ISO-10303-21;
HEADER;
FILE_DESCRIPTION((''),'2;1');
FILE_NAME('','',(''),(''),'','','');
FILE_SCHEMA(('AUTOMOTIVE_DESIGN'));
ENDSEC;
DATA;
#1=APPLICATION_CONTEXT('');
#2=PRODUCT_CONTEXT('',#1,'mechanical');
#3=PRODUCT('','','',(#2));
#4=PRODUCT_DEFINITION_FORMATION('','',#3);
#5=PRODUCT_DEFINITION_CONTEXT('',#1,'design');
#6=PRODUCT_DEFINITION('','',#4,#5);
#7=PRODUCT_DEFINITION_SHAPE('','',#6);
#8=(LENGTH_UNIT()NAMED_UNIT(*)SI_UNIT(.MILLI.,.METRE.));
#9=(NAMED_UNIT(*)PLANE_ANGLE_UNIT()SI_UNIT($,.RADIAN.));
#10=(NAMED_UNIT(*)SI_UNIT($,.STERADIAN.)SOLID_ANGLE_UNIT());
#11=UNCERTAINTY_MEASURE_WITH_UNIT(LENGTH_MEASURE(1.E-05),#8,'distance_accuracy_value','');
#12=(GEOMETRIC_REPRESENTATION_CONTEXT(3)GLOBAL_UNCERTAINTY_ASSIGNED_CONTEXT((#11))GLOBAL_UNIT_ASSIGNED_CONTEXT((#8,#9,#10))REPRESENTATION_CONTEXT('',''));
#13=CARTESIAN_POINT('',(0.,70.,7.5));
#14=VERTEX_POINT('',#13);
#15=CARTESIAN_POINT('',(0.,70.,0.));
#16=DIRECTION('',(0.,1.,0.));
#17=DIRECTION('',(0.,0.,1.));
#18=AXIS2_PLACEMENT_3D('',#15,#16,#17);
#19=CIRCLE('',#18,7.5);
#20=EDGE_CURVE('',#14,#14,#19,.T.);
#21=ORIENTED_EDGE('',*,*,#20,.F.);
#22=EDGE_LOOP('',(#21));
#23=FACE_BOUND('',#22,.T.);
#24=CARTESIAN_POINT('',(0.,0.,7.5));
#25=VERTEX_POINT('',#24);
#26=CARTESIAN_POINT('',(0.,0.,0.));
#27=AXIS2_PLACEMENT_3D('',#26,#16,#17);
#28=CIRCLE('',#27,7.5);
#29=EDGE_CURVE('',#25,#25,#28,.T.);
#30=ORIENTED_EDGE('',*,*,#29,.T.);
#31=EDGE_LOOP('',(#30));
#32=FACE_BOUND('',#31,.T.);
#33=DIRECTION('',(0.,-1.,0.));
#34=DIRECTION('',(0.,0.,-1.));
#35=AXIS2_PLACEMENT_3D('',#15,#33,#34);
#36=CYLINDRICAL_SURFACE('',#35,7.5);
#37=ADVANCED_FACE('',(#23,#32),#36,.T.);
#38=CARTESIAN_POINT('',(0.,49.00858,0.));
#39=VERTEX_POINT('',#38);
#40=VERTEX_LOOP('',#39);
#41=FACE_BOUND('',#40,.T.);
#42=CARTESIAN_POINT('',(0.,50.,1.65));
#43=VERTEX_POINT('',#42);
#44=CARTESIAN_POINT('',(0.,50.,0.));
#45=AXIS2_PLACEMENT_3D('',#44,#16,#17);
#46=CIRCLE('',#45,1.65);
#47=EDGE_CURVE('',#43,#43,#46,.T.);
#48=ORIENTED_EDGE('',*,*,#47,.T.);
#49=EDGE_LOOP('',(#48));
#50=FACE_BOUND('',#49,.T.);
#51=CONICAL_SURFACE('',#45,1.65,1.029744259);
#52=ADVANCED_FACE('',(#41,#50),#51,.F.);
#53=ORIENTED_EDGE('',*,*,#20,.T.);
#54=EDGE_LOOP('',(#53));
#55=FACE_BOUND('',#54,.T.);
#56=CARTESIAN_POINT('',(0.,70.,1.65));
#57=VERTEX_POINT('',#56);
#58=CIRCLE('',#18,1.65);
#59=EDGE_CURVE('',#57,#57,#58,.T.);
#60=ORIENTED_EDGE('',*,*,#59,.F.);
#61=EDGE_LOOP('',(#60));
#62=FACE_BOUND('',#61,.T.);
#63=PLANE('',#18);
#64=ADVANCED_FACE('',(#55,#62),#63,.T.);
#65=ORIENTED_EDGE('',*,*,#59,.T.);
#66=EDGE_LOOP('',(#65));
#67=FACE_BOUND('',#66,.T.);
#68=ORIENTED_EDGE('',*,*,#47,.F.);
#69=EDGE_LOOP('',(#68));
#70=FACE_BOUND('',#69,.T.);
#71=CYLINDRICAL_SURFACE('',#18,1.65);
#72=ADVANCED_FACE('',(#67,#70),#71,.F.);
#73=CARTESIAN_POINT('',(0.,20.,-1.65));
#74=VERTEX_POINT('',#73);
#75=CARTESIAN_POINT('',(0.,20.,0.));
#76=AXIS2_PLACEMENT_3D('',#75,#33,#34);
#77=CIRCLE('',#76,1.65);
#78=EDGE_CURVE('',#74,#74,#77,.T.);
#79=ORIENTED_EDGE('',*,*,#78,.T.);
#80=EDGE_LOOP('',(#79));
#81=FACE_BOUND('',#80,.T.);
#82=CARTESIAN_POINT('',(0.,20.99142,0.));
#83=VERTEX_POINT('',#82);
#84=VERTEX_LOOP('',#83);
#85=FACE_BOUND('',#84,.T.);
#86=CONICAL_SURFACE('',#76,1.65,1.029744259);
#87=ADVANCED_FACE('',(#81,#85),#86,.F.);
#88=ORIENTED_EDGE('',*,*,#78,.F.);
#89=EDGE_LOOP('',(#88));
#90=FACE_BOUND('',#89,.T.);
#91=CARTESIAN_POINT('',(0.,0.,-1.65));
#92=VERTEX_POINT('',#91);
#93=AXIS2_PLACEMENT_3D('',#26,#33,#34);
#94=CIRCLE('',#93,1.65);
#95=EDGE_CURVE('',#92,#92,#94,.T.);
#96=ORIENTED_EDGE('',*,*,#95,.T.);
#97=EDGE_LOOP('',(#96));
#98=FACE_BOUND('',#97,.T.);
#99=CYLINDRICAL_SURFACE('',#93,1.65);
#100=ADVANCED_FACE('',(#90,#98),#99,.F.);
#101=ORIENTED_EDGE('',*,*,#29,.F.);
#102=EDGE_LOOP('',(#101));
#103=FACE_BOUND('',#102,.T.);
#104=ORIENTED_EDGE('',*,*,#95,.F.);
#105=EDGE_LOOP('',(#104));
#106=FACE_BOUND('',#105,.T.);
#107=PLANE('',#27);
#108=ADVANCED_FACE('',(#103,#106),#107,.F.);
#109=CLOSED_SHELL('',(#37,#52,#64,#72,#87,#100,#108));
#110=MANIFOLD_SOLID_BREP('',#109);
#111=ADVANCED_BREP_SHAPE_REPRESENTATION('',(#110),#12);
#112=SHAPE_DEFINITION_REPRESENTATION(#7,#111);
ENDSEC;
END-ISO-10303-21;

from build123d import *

# Parameters (mm, degrees)
SKETCH_1_R      = 7.5
EXTRUDE_1_DEPTH = 70


with BuildPart() as part:
    # ｽｹｯﾁ1 → ﾎﾞｽ - 押し出し1 (new body)
    with BuildSketch(Plane(origin=(0, 0, 0), x_dir=(1, 0, 0), z_dir=(0, 1, 0))):
        with Locations(Location((0, 0, 0), (0, 0, 270))):
            Circle(SKETCH_1_R)
    extrude(amount=EXTRUDE_1_DEPTH)

    # ｽｹｯﾁ3 → M4x0.7 ねじ穴1 (revolve, cut)
    with BuildSketch(Plane(origin=(0, 70, 0), x_dir=(0, 0, 1), z_dir=(1, 0, 0))):
        Polygon((0, 0), (0, 20.991420021), (1.65, 20), (1.65, 0), align=None)
    m4x0_7_1 = revolve(axis=Axis((0, 76.35, 0), (0, -1, 0)), mode=Mode.SUBTRACT)

    # ﾐﾗｰ1: M4x0.7 ねじ穴1 across plane
    add(m4x0_7_1.mirror(Plane.ZX.offset(35)), mode=Mode.SUBTRACT)


solid = part.part
